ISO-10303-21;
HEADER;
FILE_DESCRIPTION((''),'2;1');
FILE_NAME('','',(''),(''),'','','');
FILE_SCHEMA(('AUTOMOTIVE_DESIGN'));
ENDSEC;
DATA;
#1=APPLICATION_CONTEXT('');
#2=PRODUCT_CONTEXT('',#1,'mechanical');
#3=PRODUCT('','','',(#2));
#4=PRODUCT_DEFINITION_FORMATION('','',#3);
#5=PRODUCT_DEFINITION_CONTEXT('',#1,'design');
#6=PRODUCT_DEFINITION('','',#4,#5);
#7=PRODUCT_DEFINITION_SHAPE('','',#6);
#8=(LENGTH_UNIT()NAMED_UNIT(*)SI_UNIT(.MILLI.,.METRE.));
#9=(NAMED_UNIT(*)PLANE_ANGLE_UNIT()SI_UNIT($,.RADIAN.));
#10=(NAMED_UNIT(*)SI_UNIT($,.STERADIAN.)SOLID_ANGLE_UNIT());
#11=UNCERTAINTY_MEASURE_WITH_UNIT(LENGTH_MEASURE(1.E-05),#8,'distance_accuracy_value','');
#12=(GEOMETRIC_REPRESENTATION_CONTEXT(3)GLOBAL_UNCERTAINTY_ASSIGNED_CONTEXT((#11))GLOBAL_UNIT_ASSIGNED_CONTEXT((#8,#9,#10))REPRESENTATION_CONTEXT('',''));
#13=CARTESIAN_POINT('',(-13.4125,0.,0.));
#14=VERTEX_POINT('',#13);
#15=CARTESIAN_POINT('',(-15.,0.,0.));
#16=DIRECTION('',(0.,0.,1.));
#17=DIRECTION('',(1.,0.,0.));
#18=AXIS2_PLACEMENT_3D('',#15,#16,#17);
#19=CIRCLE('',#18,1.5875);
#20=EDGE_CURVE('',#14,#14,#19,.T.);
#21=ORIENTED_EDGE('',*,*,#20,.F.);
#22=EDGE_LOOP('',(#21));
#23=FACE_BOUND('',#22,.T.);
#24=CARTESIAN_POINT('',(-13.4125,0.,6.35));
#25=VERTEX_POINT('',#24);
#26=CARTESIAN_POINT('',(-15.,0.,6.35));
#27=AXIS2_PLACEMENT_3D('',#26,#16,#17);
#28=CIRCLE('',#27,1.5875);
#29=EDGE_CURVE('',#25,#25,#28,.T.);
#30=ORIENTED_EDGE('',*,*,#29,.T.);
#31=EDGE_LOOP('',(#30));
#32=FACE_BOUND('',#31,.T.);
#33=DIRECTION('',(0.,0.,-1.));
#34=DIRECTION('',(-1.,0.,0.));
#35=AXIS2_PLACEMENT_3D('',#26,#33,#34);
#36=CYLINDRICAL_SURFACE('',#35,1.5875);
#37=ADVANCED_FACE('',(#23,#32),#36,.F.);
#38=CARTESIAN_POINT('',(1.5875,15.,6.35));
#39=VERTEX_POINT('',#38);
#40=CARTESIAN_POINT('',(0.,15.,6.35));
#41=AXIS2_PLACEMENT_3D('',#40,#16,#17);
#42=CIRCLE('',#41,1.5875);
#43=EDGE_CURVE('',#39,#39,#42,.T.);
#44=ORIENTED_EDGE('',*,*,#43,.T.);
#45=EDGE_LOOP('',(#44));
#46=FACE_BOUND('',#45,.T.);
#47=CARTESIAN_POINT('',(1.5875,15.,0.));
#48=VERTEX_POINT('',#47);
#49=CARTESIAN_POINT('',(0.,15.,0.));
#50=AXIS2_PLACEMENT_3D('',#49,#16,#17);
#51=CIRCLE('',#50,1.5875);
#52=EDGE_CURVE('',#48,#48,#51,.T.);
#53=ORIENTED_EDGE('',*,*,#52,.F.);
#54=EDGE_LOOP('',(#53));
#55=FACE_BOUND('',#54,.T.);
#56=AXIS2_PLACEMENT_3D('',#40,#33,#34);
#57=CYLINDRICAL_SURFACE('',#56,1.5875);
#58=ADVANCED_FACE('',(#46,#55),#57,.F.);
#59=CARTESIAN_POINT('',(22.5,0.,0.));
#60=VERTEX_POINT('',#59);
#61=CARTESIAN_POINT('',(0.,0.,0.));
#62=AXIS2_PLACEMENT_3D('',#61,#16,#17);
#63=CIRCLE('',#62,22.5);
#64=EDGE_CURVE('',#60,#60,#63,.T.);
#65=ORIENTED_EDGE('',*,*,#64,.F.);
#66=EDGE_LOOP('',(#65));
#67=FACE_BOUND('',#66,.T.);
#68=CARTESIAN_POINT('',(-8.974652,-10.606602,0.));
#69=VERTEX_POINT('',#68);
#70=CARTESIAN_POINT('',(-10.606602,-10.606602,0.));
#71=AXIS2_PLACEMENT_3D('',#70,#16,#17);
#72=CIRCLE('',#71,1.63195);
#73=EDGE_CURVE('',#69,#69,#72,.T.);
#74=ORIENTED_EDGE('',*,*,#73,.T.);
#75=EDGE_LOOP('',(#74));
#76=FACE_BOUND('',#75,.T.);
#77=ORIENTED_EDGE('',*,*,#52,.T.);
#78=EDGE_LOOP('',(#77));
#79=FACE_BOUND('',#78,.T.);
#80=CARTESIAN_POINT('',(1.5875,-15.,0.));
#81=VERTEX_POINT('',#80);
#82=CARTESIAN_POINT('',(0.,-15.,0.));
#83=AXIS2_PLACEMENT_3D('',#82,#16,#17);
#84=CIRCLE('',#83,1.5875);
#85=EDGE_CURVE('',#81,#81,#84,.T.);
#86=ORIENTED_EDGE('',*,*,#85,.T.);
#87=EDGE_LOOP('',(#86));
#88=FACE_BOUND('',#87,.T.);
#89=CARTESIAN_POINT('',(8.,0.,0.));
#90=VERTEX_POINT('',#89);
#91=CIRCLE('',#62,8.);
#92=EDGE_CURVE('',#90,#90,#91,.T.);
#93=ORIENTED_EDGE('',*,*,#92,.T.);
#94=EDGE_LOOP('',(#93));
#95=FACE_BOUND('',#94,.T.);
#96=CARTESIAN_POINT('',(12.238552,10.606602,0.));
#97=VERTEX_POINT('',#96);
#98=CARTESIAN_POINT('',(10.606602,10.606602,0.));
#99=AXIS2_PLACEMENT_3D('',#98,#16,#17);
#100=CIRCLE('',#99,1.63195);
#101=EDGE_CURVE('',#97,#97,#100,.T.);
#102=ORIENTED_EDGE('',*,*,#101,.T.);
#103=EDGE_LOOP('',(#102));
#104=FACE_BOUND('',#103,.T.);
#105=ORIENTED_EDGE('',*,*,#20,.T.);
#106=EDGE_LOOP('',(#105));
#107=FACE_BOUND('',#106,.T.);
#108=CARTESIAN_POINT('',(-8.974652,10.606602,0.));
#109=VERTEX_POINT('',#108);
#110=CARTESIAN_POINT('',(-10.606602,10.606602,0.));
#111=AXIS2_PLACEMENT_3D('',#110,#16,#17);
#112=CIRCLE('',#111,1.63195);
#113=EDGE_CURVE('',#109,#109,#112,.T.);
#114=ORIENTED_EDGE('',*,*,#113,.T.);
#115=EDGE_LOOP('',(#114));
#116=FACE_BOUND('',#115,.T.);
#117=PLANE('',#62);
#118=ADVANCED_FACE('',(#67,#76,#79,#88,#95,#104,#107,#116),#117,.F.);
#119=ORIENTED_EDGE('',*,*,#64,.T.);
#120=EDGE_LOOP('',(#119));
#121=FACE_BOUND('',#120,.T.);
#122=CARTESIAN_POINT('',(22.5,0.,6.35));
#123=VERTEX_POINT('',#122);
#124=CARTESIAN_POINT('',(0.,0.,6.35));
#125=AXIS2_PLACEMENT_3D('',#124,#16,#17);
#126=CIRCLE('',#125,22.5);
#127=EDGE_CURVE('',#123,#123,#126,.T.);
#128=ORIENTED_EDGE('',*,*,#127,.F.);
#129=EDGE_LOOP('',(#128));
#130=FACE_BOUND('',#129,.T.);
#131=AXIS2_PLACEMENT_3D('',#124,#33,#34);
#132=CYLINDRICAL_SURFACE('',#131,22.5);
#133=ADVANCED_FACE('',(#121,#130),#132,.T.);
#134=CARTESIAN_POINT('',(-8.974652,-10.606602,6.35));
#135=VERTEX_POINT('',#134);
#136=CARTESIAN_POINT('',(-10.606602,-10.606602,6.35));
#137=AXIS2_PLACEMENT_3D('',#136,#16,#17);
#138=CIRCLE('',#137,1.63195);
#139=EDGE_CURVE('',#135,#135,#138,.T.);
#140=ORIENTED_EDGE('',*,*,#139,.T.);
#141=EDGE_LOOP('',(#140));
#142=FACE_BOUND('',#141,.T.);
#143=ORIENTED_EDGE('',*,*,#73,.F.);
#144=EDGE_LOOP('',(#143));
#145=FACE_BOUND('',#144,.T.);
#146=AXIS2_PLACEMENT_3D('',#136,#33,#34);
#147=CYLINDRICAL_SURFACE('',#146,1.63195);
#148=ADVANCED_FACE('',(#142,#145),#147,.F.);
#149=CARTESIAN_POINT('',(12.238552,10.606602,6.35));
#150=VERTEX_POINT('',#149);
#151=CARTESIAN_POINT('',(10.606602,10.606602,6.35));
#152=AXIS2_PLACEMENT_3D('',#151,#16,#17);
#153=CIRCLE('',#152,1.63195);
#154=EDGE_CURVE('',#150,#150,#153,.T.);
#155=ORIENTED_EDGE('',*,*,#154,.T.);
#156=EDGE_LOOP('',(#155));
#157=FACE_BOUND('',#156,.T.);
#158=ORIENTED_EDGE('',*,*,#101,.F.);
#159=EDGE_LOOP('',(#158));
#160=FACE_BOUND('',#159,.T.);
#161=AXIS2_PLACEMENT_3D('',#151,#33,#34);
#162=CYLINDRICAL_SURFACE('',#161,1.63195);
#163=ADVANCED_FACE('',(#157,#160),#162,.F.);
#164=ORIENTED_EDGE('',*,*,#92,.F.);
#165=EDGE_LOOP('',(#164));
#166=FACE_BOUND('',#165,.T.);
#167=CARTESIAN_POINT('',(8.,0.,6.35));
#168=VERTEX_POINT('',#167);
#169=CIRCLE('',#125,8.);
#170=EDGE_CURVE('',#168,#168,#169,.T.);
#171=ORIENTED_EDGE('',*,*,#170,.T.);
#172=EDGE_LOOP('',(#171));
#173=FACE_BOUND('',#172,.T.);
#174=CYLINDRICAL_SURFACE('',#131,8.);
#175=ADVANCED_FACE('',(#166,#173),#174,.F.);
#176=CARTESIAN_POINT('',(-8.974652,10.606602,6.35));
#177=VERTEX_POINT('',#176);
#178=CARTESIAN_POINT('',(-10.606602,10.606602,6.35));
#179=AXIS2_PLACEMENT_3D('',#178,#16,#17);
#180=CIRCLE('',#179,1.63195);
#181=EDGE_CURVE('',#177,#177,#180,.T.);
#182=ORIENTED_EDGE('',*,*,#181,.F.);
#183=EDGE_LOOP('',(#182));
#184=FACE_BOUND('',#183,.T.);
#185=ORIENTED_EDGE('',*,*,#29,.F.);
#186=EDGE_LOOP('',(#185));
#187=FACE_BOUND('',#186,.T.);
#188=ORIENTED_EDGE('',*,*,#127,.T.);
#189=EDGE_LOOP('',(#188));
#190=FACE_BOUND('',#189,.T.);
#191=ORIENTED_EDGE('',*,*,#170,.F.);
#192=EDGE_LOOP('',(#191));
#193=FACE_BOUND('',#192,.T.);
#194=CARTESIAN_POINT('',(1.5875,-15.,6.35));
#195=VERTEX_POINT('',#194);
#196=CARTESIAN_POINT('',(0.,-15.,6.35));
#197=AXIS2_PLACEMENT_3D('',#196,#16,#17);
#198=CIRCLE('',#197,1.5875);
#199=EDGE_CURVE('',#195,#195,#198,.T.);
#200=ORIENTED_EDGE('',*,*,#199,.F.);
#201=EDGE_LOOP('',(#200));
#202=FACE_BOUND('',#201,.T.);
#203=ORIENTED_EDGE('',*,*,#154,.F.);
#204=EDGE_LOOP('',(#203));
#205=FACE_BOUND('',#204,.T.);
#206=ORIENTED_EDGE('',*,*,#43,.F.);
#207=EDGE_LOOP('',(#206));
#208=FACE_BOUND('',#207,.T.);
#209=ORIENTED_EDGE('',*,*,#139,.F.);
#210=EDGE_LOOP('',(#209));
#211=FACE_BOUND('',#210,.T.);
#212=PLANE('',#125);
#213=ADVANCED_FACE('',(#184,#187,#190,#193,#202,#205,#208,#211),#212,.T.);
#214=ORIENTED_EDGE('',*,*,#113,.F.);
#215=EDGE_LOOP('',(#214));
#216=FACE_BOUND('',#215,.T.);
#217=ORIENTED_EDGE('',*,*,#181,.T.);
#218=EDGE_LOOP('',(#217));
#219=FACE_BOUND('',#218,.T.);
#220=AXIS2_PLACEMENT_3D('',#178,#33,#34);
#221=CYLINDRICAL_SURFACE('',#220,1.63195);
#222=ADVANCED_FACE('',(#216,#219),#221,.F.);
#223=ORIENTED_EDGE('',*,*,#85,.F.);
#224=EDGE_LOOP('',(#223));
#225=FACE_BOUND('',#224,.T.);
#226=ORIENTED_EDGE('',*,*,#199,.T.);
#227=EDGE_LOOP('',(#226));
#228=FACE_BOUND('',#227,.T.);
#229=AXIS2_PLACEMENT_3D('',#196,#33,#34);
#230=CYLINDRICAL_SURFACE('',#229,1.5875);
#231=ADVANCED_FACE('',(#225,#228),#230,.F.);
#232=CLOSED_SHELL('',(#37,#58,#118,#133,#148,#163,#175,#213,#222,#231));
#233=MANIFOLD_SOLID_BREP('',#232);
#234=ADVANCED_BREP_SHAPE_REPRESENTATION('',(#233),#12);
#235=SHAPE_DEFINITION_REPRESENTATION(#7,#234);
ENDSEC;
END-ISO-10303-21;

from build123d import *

# Parameters (mm, degrees)
SKETCH1_R           = 22.5
SKETCH1_R_2         = 8
SKETCH1_R_3         = 1.5875
SKETCH1_R_4         = 1.63195
BOSS_EXTRUDE1_DEPTH = 6.35


with BuildPart() as part:
    # Sketch1 → Boss-Extrude1 (new body)
    with BuildSketch(Plane.XY):
        Circle(SKETCH1_R)
        Circle(SKETCH1_R_2, mode=Mode.SUBTRACT)
        with Locations((0, 15)):
            Circle(SKETCH1_R_3, mode=Mode.SUBTRACT)
        with Locations((0, -15)):
            Circle(SKETCH1_R_3, mode=Mode.SUBTRACT)
        with Locations((-15, 0)):
            Circle(SKETCH1_R_3, mode=Mode.SUBTRACT)
        with Locations((-10.606601718, 10.606601718)):
            Circle(SKETCH1_R_4, mode=Mode.SUBTRACT)
        with Locations((10.606601718, 10.606601718)):
            Circle(SKETCH1_R_4, mode=Mode.SUBTRACT)
        with Locations((-10.606601718, -10.606601718)):
            Circle(SKETCH1_R_4, mode=Mode.SUBTRACT)
    extrude(amount=BOSS_EXTRUDE1_DEPTH)


solid = part.part
